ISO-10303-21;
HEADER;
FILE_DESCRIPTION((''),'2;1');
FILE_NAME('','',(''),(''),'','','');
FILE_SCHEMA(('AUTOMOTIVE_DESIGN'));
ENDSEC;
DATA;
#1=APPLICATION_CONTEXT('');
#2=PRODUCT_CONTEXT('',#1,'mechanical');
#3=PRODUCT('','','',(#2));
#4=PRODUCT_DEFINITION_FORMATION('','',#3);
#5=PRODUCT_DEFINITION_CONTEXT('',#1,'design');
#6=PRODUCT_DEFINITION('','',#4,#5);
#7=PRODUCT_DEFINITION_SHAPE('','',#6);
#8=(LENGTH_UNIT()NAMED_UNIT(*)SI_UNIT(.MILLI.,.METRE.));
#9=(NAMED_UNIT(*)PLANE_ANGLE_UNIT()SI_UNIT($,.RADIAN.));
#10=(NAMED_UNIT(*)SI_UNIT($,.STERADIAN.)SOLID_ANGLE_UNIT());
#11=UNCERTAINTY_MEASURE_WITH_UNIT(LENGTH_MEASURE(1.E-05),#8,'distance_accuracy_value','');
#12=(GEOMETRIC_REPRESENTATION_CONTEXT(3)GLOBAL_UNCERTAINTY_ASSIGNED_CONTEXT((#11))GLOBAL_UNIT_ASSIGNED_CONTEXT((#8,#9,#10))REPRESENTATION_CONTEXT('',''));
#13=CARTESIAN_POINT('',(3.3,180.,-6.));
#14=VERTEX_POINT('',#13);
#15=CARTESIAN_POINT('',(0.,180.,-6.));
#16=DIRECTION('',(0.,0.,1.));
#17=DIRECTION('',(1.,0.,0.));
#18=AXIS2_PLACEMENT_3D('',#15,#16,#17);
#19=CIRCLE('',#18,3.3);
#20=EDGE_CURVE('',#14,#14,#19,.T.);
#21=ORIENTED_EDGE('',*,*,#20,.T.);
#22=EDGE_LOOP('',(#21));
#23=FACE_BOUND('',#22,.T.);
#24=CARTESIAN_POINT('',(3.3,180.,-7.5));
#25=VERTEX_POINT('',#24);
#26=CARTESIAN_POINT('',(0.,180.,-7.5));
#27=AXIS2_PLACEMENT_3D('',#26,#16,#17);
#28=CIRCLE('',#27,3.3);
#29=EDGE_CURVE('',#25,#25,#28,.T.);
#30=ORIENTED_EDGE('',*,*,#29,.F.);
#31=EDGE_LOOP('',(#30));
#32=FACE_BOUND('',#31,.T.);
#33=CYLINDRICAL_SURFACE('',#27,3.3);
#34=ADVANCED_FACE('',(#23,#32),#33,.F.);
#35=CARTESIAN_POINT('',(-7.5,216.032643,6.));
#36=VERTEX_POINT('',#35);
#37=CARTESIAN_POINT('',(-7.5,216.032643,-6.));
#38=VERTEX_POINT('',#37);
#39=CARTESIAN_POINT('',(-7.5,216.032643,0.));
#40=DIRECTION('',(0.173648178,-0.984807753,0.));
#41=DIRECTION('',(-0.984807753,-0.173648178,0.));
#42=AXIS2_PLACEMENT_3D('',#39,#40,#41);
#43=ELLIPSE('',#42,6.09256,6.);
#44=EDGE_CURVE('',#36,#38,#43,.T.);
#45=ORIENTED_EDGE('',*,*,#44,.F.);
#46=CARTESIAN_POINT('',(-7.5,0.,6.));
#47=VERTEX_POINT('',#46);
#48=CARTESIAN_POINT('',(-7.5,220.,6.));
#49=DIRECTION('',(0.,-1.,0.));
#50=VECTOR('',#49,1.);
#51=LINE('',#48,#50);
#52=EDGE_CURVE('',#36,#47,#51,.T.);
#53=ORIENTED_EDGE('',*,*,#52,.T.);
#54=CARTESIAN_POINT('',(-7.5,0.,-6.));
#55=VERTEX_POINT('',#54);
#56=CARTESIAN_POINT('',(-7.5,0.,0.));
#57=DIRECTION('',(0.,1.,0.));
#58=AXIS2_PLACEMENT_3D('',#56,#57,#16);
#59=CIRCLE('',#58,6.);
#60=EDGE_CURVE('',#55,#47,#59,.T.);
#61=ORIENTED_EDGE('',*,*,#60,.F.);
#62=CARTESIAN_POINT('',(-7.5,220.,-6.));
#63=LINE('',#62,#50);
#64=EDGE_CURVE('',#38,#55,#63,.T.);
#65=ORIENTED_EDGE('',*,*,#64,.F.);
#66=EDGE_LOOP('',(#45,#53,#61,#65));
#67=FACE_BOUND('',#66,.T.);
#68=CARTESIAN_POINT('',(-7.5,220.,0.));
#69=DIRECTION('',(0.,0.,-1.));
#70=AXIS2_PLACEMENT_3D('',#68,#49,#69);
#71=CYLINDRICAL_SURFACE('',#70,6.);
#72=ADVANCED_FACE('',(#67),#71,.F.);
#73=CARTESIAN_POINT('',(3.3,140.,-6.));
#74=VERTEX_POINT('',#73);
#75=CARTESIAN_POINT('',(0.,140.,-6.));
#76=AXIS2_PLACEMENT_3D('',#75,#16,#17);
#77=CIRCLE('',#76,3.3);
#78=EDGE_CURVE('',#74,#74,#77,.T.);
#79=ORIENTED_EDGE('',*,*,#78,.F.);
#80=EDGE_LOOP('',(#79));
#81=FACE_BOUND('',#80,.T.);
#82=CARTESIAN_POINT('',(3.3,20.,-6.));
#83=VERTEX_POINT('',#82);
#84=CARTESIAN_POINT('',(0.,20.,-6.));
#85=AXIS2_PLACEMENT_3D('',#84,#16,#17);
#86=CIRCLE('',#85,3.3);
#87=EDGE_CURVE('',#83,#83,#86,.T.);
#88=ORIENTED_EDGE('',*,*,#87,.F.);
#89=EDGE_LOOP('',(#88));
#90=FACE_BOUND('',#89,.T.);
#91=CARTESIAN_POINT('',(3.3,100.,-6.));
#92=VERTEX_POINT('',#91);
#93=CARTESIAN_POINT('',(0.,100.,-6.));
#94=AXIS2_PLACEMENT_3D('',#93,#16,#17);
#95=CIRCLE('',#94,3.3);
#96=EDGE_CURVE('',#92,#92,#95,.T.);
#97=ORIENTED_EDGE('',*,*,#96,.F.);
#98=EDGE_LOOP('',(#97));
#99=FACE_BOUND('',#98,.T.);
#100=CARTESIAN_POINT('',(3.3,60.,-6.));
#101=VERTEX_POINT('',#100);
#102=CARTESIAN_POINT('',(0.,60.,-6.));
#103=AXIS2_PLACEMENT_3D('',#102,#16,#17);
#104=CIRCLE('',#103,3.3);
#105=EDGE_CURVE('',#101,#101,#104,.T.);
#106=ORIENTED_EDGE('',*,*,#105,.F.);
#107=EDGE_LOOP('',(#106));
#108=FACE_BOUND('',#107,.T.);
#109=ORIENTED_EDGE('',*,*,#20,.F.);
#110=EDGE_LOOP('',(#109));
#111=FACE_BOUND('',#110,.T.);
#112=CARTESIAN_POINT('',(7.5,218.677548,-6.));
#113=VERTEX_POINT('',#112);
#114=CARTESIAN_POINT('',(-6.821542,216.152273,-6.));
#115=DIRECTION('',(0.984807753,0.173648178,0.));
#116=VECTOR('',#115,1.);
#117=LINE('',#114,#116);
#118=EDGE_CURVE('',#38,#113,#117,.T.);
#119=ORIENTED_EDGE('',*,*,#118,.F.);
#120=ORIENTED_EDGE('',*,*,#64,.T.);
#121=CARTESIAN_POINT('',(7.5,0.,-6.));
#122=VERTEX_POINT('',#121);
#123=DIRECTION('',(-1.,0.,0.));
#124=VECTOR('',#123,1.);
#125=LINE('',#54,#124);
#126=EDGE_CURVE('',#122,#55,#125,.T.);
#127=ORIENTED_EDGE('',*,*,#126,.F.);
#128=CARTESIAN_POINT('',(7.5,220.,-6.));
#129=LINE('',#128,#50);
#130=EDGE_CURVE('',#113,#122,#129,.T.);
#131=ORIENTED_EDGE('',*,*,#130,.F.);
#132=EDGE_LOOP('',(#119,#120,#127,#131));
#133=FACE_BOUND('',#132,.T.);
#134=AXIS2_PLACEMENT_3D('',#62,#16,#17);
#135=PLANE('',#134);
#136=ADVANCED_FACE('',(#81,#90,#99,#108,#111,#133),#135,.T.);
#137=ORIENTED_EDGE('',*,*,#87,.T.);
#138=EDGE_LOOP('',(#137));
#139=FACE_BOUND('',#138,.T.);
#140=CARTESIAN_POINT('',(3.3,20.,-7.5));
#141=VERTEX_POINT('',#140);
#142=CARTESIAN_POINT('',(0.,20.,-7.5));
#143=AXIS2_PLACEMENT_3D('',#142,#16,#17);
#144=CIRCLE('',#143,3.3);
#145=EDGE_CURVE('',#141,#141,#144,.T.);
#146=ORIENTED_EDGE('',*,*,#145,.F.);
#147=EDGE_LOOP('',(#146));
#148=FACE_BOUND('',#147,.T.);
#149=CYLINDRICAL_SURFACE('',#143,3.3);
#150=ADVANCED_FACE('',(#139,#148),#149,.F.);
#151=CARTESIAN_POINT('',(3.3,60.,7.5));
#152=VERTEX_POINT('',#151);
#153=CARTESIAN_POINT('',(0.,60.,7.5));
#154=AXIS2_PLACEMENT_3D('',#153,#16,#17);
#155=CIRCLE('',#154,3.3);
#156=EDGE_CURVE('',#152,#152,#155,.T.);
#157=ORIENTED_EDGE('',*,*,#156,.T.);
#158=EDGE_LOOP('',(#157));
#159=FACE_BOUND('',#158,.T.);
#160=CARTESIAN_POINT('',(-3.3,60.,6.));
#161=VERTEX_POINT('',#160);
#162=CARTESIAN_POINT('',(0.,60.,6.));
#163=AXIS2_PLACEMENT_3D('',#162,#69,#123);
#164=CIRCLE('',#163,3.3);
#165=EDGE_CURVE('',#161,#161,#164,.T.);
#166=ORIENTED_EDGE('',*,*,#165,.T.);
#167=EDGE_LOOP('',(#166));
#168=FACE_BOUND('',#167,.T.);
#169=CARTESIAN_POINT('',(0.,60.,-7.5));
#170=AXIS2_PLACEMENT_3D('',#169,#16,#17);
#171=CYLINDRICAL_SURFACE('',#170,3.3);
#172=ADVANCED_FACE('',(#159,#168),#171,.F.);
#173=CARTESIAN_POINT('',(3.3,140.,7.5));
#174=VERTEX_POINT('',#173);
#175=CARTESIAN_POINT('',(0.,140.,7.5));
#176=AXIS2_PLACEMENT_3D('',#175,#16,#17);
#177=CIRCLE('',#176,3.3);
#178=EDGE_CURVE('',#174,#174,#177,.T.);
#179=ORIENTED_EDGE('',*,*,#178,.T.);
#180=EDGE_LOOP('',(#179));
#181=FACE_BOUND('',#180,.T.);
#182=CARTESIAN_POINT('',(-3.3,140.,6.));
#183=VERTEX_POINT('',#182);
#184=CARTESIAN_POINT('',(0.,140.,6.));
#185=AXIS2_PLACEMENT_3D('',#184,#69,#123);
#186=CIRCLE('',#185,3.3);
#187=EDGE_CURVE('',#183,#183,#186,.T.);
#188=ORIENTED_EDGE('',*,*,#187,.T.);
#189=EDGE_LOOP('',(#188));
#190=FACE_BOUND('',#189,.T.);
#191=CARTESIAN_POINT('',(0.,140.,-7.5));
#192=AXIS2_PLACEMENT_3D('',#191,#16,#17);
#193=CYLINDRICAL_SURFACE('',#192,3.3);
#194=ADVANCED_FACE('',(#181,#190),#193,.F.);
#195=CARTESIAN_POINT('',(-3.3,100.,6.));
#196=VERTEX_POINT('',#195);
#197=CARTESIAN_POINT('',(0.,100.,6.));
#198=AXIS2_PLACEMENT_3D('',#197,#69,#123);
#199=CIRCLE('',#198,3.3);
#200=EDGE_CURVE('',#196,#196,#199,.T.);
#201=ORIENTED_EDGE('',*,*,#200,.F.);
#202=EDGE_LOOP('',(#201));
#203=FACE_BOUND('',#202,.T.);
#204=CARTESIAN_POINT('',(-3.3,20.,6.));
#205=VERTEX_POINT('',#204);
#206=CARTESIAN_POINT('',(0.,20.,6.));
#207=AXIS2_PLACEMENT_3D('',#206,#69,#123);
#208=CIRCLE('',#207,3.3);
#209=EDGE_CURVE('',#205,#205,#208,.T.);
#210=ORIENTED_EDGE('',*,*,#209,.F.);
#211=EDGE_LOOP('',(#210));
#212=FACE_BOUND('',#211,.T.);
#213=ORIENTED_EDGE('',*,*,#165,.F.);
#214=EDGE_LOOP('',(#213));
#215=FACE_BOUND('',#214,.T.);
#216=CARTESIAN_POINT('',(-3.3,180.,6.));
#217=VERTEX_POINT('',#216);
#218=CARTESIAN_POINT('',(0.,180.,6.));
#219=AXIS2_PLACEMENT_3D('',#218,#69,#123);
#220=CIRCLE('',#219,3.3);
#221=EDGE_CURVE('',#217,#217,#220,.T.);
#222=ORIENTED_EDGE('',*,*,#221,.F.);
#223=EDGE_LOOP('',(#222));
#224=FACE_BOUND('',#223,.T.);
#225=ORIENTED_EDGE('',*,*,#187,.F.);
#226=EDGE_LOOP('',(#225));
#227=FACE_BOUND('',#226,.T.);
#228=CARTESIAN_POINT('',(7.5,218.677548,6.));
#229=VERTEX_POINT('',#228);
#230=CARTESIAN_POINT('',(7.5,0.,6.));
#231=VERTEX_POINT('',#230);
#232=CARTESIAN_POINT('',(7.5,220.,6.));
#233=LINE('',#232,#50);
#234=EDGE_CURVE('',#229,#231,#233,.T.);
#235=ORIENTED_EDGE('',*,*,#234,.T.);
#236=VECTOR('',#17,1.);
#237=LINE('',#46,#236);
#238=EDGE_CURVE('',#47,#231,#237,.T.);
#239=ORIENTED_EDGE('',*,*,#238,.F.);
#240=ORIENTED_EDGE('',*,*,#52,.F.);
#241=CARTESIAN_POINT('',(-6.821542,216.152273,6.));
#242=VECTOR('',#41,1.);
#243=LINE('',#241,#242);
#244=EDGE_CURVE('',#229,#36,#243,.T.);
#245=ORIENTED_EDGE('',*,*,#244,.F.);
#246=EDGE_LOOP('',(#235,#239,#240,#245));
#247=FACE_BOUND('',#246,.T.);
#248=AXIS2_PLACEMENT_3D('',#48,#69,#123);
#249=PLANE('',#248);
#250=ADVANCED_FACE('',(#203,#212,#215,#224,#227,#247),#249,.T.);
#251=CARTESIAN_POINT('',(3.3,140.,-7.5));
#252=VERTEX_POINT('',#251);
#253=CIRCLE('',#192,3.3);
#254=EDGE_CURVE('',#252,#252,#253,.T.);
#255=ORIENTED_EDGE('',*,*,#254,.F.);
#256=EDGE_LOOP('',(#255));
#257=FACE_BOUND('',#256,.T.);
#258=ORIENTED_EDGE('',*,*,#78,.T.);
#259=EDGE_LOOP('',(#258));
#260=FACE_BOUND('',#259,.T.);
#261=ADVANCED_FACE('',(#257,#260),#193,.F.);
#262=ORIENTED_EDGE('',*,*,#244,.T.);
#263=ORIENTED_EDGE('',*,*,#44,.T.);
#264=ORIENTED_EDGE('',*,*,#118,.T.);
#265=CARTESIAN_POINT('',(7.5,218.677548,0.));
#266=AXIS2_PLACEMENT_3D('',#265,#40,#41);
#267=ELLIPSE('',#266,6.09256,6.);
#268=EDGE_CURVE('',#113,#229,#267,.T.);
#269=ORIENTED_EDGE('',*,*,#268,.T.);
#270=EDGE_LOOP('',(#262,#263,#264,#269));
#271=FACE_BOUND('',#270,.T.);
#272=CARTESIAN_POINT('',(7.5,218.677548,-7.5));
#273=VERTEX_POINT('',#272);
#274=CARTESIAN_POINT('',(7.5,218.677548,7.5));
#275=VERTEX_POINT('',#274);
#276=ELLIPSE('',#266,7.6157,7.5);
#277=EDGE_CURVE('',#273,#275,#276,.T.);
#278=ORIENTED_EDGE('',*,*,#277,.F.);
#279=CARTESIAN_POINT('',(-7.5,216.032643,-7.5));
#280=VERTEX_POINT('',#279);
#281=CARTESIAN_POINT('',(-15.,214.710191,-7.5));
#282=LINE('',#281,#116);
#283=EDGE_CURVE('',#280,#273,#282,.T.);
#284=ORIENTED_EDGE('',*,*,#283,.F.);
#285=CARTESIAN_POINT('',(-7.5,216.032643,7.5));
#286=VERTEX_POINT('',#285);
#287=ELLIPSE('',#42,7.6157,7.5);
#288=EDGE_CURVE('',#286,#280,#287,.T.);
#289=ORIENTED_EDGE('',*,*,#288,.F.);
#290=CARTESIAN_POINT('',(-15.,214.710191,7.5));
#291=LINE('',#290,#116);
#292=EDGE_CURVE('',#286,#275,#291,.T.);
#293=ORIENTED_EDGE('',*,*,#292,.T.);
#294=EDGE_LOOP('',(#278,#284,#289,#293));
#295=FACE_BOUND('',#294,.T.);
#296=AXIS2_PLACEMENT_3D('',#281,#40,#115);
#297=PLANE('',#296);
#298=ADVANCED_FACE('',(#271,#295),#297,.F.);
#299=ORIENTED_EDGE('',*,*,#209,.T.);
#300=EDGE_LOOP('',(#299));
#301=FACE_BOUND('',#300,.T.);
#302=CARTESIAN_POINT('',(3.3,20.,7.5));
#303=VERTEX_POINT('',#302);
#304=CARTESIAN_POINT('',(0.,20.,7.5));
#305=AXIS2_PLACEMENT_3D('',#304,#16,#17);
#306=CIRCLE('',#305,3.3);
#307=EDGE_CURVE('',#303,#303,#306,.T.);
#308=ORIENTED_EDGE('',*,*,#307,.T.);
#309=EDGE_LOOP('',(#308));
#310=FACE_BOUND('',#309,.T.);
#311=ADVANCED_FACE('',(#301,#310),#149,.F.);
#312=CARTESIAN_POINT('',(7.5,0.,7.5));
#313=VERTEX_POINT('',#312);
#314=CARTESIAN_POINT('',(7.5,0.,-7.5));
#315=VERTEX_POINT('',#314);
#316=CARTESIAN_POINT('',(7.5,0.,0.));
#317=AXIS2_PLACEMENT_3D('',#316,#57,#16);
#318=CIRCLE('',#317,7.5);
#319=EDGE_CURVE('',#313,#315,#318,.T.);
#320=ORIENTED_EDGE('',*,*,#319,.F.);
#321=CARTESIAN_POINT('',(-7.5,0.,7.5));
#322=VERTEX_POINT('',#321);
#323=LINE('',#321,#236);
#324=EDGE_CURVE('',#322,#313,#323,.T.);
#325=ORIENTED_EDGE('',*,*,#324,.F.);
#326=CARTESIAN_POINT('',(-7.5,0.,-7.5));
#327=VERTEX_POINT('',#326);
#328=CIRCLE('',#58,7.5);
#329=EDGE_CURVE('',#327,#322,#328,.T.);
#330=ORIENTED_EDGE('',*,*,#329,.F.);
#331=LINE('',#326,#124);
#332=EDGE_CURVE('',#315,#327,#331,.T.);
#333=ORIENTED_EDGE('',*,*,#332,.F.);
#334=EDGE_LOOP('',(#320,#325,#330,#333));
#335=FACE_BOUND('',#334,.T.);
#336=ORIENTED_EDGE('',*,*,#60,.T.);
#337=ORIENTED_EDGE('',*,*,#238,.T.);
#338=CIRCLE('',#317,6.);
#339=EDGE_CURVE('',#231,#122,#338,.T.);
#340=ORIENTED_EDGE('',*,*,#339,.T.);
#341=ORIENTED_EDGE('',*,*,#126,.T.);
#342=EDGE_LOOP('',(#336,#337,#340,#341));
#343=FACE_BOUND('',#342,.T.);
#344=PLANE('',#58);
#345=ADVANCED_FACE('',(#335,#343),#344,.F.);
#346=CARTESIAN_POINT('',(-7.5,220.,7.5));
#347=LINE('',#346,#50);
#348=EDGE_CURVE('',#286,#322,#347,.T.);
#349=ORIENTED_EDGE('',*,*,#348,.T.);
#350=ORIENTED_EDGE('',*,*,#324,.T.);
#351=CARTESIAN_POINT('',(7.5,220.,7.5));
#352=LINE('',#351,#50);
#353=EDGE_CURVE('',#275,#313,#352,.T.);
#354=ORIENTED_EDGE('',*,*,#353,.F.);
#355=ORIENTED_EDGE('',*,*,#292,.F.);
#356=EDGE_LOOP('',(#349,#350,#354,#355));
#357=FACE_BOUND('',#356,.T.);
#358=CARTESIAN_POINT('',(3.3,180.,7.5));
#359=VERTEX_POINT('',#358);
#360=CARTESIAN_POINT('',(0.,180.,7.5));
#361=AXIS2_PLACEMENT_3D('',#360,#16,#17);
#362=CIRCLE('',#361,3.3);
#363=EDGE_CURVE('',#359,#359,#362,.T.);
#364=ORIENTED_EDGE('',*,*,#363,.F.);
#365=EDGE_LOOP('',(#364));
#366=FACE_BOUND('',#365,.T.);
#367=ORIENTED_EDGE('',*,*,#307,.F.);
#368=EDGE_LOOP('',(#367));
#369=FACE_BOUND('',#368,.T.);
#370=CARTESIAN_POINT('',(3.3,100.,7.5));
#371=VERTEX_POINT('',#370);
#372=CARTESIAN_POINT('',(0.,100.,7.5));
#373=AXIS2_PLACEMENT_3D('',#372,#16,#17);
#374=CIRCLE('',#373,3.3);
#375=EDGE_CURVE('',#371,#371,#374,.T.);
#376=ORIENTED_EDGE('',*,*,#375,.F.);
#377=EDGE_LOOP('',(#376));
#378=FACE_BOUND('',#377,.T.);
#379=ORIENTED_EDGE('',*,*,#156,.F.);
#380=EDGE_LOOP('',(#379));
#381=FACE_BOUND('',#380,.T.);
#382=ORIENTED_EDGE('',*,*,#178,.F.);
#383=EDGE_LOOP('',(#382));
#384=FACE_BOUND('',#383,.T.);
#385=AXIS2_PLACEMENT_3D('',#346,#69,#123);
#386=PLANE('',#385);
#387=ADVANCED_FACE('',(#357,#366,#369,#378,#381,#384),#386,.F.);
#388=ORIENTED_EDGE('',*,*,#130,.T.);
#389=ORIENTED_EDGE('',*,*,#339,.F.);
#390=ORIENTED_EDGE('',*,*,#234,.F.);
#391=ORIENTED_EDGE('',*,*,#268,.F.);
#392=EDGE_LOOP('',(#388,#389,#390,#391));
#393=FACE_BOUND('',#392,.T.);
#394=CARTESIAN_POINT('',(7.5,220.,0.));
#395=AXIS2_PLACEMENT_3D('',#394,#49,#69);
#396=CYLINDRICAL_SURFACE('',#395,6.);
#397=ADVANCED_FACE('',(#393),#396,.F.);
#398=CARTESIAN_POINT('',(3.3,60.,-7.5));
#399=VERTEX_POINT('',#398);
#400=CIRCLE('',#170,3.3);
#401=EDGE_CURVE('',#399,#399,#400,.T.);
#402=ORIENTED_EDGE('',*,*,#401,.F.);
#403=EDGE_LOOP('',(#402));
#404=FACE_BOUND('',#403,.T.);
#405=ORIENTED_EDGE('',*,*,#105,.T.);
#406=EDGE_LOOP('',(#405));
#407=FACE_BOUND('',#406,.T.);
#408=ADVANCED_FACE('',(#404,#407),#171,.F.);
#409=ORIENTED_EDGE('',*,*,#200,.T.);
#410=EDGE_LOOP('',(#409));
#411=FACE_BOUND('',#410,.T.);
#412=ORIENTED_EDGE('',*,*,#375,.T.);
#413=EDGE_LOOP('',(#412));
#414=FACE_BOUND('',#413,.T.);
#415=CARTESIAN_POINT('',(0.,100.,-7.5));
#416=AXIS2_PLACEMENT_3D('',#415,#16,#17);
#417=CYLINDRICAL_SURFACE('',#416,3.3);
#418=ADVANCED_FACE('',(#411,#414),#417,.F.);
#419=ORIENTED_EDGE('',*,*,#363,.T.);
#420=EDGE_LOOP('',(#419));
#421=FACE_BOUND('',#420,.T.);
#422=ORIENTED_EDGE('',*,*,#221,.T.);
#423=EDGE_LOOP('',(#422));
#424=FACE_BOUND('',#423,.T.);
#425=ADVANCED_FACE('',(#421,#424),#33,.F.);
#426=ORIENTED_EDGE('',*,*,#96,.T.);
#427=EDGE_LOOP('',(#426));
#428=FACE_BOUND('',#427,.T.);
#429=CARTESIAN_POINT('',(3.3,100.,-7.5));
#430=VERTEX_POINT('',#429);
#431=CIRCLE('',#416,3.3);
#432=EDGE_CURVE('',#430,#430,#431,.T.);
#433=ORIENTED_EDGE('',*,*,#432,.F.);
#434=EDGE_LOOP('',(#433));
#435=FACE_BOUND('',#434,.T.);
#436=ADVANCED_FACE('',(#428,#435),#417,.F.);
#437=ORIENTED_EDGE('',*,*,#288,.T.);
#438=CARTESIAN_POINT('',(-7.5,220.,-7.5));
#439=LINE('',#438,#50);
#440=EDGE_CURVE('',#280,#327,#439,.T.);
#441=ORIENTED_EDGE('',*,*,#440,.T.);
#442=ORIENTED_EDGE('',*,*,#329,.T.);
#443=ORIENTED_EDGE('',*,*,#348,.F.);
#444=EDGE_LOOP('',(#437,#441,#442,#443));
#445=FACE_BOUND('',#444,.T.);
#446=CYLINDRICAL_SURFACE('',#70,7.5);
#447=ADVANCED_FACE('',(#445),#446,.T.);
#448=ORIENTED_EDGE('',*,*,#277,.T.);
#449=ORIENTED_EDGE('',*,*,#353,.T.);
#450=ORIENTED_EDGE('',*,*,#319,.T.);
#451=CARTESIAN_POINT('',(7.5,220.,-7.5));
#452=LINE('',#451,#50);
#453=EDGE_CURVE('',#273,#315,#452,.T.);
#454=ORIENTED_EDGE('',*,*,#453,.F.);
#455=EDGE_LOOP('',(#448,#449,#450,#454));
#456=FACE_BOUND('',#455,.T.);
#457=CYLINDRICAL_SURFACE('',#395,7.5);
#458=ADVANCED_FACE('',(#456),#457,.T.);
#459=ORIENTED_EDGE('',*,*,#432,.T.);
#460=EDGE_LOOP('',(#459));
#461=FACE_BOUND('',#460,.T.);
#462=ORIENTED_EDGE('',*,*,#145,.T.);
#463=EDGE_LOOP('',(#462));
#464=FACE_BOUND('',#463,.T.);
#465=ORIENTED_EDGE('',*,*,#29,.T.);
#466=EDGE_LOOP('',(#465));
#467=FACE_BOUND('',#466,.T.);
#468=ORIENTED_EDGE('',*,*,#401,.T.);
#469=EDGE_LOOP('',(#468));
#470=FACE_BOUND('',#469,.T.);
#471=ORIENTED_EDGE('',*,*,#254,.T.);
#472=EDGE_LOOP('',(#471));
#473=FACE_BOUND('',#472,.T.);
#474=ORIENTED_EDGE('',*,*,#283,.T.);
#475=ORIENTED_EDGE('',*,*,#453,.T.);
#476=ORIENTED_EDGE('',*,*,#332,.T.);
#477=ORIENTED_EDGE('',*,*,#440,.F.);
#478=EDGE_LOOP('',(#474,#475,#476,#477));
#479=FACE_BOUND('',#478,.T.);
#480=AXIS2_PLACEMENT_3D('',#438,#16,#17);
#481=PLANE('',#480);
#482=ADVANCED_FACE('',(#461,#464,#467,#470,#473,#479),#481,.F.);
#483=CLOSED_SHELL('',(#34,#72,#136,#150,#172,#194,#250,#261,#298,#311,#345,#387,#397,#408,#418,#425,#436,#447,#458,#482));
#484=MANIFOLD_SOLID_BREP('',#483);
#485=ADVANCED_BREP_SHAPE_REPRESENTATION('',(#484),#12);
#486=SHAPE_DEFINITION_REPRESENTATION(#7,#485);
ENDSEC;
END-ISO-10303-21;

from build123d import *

# Parameters (mm, degrees)
EXTRUDE_1_DEPTH     = 220
SKETCH_2_R          = 3.3
CUT_EXTRUDE_1_DEPTH = 222.020361053


with BuildPart() as part:
    # Эскиз1 → Бобышка-Вытянуть1 (new body)
    with BuildSketch(Plane(origin=(0, 0, 0), x_dir=(1, 0, 0), z_dir=(0, 1, 0))):
        with BuildLine():
            Line((-7.5, 7.5), (7.5, 7.5))
            ThreePointArc((7.5, 7.5), (15, 0), (7.5, -7.5))
            Line((7.5, -7.5), (-7.5, -7.5))
            ThreePointArc((-7.5, -7.5), (-15, 0), (-7.5, 7.5))
        make_face()
        with BuildLine():
            Line((-7.5, 6), (7.5, 6))
            ThreePointArc((7.5, 6), (13.5, 0), (7.5, -6))
            Line((7.5, -6), (-7.5, -6))
            ThreePointArc((-7.5, -6), (-13.5, 0), (-7.5, 6))
        make_face(mode=Mode.SUBTRACT)
    extrude(amount=EXTRUDE_1_DEPTH)

    # Эскиз2 → Вырез-Вытянуть1 (cut, through all)
    with BuildSketch(Plane.XY.offset(7.5)):
        with Locations((0, 180)):
            Circle(SKETCH_2_R)
        with Locations((0, 140)):
            Circle(SKETCH_2_R)
        with Locations((0, 100)):
            Circle(SKETCH_2_R)
        with Locations((0, 60)):
            Circle(SKETCH_2_R)
        with Locations((0, 20)):
            Circle(SKETCH_2_R)
        Polygon((15, 220), (-15, 220), (-15, 214.710190579), align=None)
    extrude(amount=-CUT_EXTRUDE_1_DEPTH, mode=Mode.SUBTRACT)


solid = part.part
